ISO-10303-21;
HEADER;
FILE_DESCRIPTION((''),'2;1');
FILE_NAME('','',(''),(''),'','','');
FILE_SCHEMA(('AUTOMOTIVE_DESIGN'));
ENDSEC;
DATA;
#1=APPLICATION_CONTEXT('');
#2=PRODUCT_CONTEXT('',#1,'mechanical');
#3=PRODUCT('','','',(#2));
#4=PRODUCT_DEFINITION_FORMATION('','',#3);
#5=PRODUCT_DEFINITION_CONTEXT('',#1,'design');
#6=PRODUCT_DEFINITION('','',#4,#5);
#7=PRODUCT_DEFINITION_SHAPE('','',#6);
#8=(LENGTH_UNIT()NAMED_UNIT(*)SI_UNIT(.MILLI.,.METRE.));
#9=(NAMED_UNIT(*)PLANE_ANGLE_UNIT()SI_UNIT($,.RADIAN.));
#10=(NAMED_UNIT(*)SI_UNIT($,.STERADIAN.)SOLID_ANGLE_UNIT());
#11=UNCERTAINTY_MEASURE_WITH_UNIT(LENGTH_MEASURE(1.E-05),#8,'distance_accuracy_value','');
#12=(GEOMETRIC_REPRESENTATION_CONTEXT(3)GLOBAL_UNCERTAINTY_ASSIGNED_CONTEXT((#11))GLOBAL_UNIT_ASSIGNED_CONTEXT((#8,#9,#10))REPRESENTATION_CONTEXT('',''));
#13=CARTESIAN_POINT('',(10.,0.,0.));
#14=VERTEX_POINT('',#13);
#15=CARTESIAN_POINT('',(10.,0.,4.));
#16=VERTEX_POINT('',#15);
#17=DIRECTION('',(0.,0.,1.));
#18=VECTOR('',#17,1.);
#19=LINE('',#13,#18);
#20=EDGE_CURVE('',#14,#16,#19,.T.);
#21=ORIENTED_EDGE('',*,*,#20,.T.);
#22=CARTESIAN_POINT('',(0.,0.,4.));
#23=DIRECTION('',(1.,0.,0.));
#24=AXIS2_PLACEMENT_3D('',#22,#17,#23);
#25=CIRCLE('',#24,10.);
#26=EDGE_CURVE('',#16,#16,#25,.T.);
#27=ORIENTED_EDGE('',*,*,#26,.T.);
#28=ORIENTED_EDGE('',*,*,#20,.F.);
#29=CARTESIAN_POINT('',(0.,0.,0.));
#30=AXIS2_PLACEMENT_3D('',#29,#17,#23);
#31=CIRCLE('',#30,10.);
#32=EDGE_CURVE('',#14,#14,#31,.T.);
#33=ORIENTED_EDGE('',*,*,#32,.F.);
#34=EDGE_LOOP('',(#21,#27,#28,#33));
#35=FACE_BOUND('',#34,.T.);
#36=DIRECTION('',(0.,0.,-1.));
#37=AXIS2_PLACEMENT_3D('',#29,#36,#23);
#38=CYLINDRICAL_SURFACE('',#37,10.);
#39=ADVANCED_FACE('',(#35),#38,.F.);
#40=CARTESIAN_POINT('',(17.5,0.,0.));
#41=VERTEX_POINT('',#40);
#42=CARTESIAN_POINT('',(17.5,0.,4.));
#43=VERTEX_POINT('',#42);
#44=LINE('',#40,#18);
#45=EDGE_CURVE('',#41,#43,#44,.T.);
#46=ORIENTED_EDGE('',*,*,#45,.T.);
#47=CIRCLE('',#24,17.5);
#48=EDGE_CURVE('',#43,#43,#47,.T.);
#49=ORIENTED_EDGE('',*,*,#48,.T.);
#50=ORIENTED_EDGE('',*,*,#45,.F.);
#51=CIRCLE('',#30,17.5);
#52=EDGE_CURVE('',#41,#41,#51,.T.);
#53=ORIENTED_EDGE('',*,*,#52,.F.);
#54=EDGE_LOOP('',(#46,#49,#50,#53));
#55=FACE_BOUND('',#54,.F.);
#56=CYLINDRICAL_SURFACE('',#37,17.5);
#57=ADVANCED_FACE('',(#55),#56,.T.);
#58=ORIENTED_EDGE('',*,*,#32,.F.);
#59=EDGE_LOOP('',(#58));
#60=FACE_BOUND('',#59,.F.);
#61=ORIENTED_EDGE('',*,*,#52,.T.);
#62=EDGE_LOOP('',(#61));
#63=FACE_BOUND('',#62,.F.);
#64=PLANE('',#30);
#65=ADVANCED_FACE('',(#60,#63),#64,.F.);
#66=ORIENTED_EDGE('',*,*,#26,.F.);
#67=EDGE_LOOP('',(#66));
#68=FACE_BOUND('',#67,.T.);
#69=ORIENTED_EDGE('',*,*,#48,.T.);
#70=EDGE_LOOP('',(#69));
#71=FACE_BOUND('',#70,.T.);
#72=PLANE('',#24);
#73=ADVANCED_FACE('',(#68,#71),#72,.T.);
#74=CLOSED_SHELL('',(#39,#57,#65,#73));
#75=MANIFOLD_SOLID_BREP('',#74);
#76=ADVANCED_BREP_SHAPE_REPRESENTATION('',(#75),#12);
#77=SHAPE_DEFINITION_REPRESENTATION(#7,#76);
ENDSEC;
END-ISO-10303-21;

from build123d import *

# Parameters (mm, degrees)
SKETCH_1_R      = 17.5
SKETCH_1_R_2    = 10
EXTRUDE_1_DEPTH = 4


with BuildPart() as part:
    # 草图1 → 凸台-拉伸1 (new body)
    with BuildSketch(Plane.XY):
        Circle(SKETCH_1_R)
        Circle(SKETCH_1_R_2, mode=Mode.SUBTRACT)
    extrude(amount=EXTRUDE_1_DEPTH)


solid = part.part
